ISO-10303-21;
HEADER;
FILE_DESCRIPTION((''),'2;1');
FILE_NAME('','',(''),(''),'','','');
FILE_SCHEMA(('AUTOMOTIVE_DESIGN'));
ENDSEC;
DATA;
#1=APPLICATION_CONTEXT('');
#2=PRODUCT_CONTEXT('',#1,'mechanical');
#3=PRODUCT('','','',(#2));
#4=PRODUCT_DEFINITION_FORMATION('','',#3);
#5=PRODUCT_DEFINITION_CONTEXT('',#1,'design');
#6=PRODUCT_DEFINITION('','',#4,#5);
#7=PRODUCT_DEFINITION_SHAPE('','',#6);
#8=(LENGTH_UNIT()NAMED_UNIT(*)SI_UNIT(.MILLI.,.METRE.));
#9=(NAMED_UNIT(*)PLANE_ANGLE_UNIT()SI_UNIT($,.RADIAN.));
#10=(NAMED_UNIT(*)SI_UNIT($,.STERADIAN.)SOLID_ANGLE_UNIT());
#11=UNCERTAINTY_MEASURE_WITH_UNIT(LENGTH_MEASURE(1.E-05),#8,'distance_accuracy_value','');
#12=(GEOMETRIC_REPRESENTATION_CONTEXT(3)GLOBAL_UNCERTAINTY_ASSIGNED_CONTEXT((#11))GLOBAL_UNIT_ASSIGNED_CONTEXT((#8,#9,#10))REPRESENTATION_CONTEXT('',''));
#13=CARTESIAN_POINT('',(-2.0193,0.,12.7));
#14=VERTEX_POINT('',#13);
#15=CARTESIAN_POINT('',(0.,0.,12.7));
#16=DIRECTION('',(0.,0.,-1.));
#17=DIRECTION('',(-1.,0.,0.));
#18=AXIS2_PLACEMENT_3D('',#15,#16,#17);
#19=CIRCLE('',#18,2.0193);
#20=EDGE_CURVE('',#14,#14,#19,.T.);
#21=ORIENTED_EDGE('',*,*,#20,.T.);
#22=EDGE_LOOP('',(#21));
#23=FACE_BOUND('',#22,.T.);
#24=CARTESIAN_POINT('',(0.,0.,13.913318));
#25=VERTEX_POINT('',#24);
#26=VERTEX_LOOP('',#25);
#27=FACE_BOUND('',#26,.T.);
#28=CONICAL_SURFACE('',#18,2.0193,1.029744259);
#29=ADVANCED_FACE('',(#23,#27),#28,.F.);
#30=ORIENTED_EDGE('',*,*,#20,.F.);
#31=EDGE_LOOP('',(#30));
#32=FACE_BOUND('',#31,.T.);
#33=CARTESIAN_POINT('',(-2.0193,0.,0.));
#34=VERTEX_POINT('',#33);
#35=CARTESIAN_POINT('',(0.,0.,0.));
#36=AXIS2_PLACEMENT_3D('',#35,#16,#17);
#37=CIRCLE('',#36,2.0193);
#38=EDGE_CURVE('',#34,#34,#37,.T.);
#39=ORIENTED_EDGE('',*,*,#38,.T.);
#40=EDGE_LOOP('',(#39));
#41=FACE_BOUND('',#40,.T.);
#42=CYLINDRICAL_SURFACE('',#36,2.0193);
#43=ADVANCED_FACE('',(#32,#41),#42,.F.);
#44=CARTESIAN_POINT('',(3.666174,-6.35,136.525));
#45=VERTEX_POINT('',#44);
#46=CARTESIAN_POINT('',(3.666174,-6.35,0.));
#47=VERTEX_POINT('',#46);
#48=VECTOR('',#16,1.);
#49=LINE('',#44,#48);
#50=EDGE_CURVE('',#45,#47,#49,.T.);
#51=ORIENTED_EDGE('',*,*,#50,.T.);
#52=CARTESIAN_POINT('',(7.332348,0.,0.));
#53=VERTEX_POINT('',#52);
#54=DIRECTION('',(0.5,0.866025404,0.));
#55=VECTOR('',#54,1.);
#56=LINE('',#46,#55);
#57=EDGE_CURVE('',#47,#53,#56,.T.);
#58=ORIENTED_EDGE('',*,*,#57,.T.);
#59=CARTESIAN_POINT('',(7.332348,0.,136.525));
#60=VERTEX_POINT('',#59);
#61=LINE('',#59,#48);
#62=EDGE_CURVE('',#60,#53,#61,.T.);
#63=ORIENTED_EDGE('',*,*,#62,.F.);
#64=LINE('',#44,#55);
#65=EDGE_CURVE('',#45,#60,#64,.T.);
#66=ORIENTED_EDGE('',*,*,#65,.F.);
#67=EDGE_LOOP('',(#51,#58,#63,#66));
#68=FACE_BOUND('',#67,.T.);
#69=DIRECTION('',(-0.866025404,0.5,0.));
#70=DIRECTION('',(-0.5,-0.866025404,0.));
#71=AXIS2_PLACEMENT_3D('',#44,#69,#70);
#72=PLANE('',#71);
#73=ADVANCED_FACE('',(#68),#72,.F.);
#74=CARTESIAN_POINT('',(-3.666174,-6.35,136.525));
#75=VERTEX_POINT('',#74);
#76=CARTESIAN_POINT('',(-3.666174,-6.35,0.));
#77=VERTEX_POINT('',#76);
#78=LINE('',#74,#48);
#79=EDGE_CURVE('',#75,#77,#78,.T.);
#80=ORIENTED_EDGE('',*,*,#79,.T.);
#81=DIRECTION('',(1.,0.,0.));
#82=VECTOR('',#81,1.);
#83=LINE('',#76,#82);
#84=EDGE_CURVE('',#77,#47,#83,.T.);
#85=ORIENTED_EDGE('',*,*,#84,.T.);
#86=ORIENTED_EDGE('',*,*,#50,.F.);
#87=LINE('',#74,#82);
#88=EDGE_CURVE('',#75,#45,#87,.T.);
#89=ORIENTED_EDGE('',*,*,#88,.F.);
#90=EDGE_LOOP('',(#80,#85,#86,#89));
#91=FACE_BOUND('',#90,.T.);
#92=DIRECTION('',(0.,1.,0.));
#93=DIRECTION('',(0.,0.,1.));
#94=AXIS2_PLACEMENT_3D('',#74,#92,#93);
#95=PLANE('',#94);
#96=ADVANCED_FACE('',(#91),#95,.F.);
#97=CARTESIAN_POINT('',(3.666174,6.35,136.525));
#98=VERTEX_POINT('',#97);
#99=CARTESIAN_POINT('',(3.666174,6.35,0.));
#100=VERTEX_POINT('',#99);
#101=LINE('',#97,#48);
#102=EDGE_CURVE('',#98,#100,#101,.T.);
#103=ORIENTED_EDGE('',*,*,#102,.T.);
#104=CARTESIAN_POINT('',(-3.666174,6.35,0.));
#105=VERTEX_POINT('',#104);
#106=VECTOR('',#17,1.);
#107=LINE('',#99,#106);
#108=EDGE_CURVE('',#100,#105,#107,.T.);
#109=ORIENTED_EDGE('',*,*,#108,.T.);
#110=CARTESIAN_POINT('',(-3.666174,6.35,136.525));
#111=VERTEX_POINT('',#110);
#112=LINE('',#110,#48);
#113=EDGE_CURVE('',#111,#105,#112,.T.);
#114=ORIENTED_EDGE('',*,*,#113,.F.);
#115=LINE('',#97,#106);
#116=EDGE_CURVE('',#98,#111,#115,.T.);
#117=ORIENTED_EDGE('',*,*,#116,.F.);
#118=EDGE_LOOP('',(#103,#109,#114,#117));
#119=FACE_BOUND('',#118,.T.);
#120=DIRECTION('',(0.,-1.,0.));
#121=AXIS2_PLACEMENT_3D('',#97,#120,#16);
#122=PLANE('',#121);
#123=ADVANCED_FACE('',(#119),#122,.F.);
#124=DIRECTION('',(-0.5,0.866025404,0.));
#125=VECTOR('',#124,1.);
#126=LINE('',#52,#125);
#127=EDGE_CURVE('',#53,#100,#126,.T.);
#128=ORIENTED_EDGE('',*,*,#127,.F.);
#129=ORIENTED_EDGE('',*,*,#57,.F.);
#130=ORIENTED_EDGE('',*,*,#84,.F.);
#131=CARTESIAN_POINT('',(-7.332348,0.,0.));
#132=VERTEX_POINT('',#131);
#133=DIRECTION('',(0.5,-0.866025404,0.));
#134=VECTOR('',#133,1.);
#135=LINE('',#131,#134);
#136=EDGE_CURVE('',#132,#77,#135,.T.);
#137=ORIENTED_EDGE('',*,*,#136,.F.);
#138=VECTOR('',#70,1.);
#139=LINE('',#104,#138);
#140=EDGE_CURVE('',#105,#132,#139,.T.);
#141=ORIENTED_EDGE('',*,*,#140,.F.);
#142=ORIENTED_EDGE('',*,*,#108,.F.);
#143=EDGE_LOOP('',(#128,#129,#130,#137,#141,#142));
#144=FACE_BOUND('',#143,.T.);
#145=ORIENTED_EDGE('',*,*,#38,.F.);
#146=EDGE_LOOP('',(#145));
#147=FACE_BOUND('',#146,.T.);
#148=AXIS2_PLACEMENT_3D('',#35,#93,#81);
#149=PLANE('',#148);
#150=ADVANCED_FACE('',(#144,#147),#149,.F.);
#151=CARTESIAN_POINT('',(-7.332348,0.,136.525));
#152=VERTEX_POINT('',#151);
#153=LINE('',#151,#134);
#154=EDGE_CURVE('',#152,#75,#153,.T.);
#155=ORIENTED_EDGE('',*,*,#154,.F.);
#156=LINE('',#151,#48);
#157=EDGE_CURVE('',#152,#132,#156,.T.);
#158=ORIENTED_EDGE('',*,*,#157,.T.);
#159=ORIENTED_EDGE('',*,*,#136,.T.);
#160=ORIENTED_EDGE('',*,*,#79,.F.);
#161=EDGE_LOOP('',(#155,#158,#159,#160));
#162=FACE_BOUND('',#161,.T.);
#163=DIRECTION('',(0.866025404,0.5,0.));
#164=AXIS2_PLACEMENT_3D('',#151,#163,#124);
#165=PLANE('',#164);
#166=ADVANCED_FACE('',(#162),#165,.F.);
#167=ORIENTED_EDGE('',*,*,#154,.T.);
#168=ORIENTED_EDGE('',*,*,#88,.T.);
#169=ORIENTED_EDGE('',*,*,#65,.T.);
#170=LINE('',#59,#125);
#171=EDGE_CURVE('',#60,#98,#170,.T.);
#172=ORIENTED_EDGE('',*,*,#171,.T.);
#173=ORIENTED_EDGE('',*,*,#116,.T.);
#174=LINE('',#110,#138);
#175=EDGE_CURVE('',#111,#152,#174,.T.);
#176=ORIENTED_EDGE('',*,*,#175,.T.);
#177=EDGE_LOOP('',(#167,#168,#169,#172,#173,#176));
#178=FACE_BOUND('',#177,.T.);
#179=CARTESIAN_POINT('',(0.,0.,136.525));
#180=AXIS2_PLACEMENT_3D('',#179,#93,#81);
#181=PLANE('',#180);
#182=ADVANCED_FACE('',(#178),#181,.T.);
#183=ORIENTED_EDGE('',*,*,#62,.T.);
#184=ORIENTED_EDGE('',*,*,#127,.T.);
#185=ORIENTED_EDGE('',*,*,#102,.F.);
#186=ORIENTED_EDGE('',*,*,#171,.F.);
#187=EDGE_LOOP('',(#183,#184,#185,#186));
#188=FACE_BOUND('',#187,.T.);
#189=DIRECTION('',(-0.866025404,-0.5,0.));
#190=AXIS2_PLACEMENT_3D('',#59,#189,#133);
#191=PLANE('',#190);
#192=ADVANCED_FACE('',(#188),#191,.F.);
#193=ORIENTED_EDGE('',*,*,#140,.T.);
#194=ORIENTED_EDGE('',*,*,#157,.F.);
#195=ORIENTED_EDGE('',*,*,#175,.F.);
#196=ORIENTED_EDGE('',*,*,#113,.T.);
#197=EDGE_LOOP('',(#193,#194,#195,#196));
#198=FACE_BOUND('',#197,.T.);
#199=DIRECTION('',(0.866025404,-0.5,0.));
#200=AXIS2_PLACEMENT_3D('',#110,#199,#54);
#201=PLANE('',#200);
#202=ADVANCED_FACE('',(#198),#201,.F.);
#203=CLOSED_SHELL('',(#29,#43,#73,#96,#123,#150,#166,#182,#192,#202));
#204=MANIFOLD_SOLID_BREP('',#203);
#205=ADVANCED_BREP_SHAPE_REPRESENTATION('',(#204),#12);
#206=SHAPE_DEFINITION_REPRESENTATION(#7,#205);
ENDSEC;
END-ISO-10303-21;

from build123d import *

# Parameters (mm, degrees)
BOSS_EXTRUDE1_DEPTH        = 136.525
F_10_32_TAPPED_HOLE1_D     = 4.0386
F_10_32_TAPPED_HOLE1_DEPTH = 12.7
F_10_32_TAPPED_HOLE1_TIP   = 1.213317848


with BuildPart() as part:
    # Sketch1 → Boss-Extrude1 (new body)
    with BuildSketch(Plane.XY):
        Polygon((3.666174209, 6.35), (-3.666174209, 6.35), (-7.332348419, 0), (-3.666174209, -6.35), (3.666174209, -6.35), (7.332348419, 0), align=None)
    extrude(amount=BOSS_EXTRUDE1_DEPTH)

    # #10-32 Tapped Hole1
    with Locations(Plane(origin=(0, 0, 0), x_dir=(-1, 0, 0), z_dir=(0, 0, -1))):
        with Locations((0, 0)):
            Hole(F_10_32_TAPPED_HOLE1_D / 2, depth=F_10_32_TAPPED_HOLE1_DEPTH)
            with Locations((0, 0, -(F_10_32_TAPPED_HOLE1_DEPTH + F_10_32_TAPPED_HOLE1_TIP / 2))):  # 118° drill point
                Cone(0, F_10_32_TAPPED_HOLE1_D / 2, F_10_32_TAPPED_HOLE1_TIP, mode=Mode.SUBTRACT)


solid = part.part
